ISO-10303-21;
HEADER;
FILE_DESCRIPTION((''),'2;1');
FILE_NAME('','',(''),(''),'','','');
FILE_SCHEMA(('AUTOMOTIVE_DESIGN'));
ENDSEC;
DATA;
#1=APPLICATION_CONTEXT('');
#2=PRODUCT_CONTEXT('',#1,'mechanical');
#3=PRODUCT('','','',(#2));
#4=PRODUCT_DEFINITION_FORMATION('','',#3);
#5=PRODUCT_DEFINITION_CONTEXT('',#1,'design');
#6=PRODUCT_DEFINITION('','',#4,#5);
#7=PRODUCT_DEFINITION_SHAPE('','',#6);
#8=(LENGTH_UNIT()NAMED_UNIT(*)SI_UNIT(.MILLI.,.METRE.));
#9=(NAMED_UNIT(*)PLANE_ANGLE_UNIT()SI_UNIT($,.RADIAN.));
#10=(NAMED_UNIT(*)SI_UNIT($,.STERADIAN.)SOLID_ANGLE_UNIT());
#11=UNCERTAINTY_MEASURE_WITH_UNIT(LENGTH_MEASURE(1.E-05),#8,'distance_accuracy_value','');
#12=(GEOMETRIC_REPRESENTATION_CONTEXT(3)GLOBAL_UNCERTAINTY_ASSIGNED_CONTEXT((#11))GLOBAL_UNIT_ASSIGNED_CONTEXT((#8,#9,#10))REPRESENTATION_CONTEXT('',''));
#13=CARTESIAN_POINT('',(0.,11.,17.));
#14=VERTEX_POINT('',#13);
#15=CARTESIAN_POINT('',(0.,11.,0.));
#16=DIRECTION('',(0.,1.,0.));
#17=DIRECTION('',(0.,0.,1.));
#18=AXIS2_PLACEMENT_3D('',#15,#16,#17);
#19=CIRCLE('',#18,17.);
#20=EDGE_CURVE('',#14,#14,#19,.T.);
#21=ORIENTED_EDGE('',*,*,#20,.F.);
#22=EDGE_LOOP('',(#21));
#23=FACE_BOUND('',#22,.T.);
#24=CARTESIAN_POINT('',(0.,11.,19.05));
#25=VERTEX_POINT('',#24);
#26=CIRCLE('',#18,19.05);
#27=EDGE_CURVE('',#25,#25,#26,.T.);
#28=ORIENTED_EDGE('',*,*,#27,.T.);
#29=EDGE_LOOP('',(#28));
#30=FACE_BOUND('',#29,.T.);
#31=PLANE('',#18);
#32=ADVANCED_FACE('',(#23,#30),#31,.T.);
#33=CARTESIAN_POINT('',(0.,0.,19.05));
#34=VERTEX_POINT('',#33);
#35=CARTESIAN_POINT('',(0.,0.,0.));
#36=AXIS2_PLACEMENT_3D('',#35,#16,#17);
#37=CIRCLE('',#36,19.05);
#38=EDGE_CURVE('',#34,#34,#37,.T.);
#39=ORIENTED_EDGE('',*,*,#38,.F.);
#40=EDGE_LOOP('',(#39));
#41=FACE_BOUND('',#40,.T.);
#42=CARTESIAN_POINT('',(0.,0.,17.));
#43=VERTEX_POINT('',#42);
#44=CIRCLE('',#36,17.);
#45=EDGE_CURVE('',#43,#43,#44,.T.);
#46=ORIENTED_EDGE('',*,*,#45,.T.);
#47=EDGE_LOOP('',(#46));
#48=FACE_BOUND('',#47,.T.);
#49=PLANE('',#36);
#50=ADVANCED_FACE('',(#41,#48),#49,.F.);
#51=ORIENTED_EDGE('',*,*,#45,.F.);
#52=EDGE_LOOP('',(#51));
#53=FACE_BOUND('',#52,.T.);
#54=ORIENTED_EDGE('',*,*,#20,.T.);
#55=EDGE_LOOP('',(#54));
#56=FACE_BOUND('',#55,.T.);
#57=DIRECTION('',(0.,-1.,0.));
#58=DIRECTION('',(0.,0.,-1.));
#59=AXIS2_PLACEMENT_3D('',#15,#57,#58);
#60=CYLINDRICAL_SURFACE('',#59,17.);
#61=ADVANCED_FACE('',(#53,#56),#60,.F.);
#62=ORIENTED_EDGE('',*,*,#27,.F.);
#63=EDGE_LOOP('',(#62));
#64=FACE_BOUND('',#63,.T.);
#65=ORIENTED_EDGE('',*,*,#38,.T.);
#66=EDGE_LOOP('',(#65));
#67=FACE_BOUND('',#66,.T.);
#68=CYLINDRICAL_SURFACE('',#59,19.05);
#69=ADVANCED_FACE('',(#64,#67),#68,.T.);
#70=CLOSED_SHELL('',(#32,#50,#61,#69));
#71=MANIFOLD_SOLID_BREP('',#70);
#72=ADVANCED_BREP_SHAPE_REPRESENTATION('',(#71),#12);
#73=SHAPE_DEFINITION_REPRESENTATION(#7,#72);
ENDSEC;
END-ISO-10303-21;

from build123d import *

# Parameters (mm, degrees)
SKETCH_1_R      = 19.05
SKETCH_1_R_2    = 17
EXTRUDE_1_DEPTH = 11


with BuildPart() as part:
    # 草图1 → 凸台-拉伸1 (new body)
    with BuildSketch(Plane(origin=(0, 0, 0), x_dir=(1, 0, 0), z_dir=(0, 1, 0))):
        with Locations(Location((0, 0, 0), (0, 0, 270))):  # turned: the seam where the file's is
            Circle(SKETCH_1_R)
        with Locations(Location((0, 0, 0), (0, 0, 270))):  # turned: the seam where the file's is
            Circle(SKETCH_1_R_2, mode=Mode.SUBTRACT)
    extrude(amount=EXTRUDE_1_DEPTH)


solid = part.part
